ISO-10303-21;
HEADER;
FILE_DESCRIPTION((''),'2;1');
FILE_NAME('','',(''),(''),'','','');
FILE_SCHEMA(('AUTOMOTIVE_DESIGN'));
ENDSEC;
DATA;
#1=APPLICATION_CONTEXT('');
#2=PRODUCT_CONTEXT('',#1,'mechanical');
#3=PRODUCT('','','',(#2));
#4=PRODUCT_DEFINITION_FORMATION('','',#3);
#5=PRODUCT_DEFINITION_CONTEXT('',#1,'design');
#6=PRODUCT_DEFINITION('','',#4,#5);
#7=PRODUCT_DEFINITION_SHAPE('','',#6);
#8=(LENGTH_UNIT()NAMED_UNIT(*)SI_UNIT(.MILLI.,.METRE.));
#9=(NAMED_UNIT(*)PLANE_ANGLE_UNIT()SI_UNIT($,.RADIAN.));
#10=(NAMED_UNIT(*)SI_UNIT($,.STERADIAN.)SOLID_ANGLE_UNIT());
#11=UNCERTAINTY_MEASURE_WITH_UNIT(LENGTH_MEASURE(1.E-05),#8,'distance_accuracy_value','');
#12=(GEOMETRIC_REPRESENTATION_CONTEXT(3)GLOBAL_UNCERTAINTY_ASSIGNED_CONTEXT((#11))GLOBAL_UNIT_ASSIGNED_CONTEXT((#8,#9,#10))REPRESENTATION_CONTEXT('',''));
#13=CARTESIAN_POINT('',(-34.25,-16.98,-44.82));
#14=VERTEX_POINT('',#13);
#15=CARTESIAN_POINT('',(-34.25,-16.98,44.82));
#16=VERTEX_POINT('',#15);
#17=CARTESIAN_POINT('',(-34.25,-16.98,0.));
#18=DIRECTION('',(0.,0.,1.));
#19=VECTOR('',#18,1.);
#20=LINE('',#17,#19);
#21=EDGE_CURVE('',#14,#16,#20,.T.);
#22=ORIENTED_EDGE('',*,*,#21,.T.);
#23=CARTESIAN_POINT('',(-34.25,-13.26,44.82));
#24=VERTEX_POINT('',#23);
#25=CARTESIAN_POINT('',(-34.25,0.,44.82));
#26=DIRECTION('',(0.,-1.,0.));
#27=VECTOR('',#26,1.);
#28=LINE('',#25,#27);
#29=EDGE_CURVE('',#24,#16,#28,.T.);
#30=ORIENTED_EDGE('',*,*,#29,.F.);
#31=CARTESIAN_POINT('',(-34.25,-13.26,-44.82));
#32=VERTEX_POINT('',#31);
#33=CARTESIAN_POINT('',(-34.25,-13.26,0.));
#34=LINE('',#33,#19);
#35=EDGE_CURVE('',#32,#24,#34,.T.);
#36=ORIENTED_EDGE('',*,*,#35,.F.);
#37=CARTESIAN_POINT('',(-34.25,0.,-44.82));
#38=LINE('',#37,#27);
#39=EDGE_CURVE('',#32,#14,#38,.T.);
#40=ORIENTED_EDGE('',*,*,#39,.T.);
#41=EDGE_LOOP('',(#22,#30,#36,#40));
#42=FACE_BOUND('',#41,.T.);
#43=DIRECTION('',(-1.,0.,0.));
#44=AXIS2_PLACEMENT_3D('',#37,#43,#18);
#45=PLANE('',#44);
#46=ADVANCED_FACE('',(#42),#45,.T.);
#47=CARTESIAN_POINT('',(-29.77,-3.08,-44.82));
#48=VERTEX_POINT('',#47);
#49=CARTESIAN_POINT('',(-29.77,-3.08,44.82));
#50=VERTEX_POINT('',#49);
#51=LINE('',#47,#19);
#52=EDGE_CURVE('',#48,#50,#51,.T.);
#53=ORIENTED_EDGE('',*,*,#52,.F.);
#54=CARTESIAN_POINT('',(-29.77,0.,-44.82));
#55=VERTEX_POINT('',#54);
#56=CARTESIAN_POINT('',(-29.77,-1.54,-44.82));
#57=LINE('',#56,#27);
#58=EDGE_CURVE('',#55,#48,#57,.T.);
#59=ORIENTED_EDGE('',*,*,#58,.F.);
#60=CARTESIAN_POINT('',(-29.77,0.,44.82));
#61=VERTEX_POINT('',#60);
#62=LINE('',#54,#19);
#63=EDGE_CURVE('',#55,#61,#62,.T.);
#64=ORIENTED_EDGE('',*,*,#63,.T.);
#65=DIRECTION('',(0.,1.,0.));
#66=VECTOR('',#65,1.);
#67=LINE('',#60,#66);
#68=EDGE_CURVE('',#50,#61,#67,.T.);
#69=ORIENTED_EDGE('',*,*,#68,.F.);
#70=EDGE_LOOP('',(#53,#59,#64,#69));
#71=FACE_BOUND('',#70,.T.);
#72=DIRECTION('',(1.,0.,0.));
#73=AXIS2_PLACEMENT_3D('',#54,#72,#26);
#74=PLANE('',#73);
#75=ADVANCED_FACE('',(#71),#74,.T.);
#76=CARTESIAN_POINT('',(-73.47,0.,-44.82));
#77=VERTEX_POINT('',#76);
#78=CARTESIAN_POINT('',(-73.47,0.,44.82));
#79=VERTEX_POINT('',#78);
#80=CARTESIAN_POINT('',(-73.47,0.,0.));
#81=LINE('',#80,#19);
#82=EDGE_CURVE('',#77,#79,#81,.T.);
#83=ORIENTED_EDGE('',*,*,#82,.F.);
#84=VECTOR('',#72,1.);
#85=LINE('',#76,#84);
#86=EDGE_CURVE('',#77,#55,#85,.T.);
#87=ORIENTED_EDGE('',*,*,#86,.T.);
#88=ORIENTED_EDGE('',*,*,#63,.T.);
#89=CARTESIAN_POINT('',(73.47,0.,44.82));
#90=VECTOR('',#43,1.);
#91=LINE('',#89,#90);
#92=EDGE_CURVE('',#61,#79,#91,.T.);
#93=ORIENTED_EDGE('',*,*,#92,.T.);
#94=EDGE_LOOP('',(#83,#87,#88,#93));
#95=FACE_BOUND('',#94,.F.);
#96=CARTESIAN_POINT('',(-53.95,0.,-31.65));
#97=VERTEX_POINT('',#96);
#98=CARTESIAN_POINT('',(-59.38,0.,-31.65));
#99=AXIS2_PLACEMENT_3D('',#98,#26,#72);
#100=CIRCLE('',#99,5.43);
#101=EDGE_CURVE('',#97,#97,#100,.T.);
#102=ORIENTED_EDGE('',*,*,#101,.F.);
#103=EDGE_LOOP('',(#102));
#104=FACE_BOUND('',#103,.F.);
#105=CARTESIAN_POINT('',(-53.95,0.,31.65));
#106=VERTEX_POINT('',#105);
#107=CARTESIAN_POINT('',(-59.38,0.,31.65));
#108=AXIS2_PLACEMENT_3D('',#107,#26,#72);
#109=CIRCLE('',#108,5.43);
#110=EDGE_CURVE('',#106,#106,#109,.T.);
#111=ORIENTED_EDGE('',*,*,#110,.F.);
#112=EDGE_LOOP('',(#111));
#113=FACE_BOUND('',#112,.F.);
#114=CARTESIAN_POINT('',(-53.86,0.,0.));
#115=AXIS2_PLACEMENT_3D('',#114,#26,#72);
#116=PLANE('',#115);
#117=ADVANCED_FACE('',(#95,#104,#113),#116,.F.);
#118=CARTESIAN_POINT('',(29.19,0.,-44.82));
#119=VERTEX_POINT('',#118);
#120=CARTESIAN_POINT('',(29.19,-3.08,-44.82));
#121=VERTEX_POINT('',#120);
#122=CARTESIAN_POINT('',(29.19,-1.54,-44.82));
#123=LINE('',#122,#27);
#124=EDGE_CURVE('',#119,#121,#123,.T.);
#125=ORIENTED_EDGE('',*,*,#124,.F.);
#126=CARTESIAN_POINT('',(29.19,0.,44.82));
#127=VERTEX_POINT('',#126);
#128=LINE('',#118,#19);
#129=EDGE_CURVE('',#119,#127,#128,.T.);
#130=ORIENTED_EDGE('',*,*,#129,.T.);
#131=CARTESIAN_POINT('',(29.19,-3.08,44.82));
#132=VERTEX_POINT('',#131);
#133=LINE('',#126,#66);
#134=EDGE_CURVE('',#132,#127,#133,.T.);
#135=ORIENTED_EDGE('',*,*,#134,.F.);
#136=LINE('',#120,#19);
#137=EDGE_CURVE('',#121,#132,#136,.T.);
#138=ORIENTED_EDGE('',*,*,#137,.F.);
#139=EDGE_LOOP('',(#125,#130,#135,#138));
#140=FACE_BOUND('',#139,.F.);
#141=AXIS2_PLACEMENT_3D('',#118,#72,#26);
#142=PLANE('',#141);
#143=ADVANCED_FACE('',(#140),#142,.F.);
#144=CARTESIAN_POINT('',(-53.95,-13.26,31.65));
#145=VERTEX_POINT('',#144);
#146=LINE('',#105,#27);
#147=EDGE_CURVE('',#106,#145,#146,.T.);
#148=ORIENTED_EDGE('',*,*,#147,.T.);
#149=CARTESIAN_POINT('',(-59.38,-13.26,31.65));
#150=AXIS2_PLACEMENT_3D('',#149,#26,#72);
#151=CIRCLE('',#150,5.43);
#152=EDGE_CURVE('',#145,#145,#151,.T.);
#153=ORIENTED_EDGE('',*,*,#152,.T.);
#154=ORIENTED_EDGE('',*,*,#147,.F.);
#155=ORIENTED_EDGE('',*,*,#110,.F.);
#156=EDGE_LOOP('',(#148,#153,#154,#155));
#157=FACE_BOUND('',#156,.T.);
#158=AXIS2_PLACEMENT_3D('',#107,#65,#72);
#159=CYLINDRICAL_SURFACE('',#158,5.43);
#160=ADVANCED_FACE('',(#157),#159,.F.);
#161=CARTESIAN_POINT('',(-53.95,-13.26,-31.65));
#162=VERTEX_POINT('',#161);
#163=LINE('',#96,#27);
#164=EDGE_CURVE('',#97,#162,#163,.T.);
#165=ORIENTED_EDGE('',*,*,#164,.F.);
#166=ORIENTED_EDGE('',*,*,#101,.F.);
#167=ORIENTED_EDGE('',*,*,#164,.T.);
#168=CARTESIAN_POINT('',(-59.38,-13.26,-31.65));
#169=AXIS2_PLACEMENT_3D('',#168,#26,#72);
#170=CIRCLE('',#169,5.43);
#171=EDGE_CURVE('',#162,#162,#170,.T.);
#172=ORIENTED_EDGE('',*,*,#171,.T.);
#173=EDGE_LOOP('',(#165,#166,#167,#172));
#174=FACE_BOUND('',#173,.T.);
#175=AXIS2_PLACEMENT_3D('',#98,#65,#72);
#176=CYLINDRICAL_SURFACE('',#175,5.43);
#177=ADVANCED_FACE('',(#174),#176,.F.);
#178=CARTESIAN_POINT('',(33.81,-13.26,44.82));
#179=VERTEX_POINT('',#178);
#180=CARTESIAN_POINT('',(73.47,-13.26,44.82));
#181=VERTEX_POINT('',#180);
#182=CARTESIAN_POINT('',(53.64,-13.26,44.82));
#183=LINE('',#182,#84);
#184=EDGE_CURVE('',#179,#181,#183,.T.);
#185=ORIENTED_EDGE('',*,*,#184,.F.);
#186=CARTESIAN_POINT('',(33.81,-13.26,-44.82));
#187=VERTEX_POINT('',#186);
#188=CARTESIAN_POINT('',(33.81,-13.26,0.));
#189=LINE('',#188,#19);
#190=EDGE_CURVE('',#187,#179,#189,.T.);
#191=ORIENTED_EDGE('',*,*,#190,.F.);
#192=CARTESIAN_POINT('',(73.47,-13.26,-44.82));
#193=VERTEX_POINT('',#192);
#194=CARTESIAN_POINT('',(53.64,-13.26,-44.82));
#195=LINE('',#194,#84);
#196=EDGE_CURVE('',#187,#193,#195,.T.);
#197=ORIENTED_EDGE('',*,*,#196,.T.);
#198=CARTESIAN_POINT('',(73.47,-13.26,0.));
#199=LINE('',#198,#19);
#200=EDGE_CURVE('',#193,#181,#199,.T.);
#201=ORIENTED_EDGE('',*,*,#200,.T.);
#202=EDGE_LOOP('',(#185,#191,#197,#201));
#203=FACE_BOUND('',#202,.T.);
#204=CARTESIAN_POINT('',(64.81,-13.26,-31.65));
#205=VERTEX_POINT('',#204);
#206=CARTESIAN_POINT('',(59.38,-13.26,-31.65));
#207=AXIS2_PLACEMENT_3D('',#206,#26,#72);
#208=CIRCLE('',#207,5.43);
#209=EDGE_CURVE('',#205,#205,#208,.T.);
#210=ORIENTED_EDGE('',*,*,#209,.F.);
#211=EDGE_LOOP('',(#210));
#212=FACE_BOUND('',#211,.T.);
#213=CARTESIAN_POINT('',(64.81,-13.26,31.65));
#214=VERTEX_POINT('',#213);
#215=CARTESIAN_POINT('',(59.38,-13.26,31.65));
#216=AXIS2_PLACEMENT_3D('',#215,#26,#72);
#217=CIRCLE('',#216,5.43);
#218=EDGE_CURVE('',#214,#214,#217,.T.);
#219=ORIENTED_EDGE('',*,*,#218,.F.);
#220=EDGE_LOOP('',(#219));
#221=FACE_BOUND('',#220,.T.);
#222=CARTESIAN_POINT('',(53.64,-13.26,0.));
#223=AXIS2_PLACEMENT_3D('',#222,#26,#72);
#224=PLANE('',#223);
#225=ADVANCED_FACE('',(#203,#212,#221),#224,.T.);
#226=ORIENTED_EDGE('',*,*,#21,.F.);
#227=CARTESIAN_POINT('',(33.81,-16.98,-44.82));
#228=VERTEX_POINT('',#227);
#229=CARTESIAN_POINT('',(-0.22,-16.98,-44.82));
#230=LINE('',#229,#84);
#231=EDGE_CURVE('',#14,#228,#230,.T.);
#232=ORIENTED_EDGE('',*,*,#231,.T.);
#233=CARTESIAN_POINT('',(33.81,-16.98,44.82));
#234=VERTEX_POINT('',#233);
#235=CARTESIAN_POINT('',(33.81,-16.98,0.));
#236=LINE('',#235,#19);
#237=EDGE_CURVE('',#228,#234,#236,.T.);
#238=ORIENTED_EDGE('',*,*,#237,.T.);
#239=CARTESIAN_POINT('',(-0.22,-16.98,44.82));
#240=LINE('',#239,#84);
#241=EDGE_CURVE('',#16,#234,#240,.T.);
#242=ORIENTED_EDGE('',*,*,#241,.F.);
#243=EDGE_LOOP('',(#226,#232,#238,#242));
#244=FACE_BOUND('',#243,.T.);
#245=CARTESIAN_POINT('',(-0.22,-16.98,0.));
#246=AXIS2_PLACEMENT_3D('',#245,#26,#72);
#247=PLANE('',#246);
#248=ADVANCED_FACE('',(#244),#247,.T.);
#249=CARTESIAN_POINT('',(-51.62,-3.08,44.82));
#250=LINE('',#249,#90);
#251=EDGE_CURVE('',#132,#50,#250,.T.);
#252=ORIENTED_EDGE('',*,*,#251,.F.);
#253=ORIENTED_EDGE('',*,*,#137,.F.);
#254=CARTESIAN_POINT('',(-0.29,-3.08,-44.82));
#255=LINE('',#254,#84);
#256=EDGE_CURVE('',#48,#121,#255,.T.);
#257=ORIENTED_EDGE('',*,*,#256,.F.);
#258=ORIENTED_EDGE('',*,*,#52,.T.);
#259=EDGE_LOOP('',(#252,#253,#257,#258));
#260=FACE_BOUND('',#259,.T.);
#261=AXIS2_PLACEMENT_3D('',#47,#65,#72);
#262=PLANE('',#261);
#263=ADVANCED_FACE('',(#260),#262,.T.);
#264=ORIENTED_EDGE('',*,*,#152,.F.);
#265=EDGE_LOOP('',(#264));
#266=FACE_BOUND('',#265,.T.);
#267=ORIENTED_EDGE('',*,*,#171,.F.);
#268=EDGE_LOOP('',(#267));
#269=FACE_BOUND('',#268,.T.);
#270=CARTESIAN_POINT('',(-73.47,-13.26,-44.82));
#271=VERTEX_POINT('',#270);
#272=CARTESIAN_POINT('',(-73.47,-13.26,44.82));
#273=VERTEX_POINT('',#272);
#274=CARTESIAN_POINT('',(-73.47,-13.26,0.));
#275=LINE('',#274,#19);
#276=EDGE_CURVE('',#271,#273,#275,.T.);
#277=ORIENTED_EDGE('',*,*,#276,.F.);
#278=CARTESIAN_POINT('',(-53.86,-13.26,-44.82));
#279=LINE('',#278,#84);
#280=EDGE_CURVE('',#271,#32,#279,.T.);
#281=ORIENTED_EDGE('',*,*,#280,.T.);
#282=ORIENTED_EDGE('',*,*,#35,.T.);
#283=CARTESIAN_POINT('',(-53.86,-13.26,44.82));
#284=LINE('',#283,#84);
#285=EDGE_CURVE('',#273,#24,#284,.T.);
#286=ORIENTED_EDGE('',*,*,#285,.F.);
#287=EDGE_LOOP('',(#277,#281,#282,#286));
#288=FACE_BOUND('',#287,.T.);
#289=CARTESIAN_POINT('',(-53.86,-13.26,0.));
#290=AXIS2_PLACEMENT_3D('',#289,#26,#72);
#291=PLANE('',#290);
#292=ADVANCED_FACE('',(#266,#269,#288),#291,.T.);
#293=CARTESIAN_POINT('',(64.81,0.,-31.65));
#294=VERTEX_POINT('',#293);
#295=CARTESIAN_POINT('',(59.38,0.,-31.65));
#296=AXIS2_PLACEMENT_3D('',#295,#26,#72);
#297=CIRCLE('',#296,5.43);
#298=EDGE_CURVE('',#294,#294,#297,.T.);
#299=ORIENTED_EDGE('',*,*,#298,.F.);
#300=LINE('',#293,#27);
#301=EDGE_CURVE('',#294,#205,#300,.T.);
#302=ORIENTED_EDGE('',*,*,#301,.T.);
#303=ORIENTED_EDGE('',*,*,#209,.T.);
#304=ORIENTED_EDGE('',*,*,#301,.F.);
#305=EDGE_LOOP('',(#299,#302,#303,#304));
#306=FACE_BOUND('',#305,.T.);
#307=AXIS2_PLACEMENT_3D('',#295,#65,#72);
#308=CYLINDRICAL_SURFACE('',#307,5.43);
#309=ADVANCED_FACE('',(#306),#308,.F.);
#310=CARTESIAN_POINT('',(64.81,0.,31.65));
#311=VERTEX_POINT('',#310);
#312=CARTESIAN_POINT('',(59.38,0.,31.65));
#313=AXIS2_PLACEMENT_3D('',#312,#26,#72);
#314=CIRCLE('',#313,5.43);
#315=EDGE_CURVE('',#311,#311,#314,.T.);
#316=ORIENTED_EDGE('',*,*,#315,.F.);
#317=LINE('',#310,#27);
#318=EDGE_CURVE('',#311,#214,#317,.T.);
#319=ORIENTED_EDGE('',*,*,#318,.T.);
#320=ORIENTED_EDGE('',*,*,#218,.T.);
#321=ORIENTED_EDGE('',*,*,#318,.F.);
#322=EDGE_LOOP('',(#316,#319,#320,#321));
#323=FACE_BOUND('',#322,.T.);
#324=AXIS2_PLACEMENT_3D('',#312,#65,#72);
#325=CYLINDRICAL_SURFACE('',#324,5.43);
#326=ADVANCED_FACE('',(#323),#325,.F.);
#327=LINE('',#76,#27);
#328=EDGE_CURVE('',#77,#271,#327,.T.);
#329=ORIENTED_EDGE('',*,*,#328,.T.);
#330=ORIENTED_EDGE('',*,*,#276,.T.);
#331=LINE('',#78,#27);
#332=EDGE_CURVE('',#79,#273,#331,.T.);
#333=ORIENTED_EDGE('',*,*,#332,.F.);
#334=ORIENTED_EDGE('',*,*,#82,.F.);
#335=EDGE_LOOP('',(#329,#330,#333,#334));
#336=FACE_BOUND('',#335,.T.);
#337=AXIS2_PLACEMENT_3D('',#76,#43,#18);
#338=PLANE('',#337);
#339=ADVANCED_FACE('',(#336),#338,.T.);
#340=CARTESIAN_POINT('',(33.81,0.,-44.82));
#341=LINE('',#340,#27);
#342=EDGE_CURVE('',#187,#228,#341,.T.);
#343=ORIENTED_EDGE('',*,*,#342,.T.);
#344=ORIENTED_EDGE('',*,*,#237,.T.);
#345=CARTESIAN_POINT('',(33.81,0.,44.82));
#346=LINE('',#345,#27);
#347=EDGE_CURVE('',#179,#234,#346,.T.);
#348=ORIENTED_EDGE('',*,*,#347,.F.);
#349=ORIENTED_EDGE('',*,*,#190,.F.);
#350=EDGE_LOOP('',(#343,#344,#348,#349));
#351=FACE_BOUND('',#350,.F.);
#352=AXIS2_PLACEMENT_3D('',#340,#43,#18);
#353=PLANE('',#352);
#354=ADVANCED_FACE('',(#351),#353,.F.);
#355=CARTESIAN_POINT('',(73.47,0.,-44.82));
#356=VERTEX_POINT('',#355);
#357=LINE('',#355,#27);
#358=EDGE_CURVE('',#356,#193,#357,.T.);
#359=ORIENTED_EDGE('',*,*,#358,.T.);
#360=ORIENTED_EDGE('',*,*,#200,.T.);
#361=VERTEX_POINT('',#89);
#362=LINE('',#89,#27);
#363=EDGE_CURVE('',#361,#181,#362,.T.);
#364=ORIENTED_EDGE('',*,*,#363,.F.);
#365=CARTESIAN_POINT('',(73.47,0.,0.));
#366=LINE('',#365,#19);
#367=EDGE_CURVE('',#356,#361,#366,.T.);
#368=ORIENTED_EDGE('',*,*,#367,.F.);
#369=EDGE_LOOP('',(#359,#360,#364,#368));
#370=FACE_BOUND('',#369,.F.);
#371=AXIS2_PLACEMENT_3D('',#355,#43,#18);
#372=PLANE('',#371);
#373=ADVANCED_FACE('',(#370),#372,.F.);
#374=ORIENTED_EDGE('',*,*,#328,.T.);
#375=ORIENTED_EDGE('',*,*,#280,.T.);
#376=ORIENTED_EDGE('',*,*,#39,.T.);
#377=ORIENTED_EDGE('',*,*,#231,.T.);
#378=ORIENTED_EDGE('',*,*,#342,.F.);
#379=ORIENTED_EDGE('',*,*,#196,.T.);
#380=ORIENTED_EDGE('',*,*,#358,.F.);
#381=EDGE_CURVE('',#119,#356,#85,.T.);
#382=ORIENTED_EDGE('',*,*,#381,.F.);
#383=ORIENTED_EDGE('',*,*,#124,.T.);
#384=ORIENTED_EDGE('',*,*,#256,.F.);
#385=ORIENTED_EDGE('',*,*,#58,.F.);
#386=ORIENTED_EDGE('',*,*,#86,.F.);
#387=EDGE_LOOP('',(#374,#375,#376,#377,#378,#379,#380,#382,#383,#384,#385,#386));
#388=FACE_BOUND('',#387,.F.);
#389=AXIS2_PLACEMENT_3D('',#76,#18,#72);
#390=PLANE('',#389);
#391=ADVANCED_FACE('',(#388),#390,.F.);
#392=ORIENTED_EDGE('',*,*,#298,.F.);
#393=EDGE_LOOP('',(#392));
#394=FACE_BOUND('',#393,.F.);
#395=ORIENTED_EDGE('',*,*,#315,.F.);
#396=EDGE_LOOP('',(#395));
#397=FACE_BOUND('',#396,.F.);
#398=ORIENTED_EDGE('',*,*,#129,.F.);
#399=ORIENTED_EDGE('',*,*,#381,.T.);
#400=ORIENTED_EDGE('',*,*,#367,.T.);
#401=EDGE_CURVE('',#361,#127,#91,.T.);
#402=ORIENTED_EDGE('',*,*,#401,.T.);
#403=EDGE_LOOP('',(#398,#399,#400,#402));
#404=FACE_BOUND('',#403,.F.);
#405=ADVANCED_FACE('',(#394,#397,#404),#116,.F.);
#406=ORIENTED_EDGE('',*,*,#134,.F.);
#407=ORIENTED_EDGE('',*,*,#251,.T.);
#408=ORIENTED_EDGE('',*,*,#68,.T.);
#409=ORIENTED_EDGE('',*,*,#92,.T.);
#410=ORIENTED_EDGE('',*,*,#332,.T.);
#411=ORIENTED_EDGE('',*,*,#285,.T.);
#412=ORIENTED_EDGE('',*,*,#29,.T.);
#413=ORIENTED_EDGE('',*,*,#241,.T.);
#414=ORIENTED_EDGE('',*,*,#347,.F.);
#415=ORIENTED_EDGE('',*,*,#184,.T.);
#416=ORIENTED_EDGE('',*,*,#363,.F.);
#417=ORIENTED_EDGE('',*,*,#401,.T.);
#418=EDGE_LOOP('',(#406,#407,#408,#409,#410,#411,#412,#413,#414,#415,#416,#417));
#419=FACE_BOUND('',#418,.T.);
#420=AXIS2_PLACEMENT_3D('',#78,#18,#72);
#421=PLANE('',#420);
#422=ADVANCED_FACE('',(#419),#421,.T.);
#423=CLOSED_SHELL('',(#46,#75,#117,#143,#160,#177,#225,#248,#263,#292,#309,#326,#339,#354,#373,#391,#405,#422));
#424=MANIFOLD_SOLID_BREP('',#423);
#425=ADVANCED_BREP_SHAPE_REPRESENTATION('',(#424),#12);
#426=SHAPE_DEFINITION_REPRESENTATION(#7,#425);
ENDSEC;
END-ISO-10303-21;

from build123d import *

# Parameters (mm, degrees)
F0_W     = 39.66
F0_H     = 89.64
F0_R     = 5.43
F0_W_2   = 39.22
F1_DEPTH = 13.26
F0_W_3   = 68.06
F2_DEPTH = 16.98
F5_W     = 58.96
F5_H     = 3.08
F6_DEPTH = 89.641


with BuildPart() as f1:
    # F0 (on Front) → F1 (new body)
    with BuildSketch(Plane.XZ):
        with Locations((53.64, 0)):
            Rectangle(F0_W, F0_H)
        with Locations((59.38, -31.65)):
            Circle(F0_R, mode=Mode.SUBTRACT)
        with Locations((59.38, 31.65)):
            Circle(F0_R, mode=Mode.SUBTRACT)
        with Locations((-53.86, 0)):
            Rectangle(F0_W_2, F0_H)
        with Locations((-59.38, -31.65)):
            Circle(F0_R, mode=Mode.SUBTRACT)
        with Locations((-59.38, 31.65)):
            Circle(F0_R, mode=Mode.SUBTRACT)
    extrude(amount=F1_DEPTH)


with BuildPart() as f2:
    # F0 (on Front) → F2 (new body)
    with BuildSketch(Plane.XZ):
        with Locations((-0.22, 0)):
            Rectangle(F0_W_3, F0_H)
    extrude(amount=F2_DEPTH)

    # F3: union F1
    add(f1.part)

    # F4: union 

    # F5 (on face) → F6 (cut, through all)
    with BuildSketch(Plane(origin=(0, 0, -44.82), x_dir=(1, 0, 0), z_dir=(0, 0, -1))):
        Polygon((73.47, -21.704547), (73.47, 0), (29.19, 0), (-29.77, 0), (-73.47, 0), (-73.47, -21.704547), align=None)
        with Locations((-0.29, 1.54)):
            Rectangle(F5_W, F5_H)
    extrude(amount=-F6_DEPTH, mode=Mode.SUBTRACT)


solid = f2.part
